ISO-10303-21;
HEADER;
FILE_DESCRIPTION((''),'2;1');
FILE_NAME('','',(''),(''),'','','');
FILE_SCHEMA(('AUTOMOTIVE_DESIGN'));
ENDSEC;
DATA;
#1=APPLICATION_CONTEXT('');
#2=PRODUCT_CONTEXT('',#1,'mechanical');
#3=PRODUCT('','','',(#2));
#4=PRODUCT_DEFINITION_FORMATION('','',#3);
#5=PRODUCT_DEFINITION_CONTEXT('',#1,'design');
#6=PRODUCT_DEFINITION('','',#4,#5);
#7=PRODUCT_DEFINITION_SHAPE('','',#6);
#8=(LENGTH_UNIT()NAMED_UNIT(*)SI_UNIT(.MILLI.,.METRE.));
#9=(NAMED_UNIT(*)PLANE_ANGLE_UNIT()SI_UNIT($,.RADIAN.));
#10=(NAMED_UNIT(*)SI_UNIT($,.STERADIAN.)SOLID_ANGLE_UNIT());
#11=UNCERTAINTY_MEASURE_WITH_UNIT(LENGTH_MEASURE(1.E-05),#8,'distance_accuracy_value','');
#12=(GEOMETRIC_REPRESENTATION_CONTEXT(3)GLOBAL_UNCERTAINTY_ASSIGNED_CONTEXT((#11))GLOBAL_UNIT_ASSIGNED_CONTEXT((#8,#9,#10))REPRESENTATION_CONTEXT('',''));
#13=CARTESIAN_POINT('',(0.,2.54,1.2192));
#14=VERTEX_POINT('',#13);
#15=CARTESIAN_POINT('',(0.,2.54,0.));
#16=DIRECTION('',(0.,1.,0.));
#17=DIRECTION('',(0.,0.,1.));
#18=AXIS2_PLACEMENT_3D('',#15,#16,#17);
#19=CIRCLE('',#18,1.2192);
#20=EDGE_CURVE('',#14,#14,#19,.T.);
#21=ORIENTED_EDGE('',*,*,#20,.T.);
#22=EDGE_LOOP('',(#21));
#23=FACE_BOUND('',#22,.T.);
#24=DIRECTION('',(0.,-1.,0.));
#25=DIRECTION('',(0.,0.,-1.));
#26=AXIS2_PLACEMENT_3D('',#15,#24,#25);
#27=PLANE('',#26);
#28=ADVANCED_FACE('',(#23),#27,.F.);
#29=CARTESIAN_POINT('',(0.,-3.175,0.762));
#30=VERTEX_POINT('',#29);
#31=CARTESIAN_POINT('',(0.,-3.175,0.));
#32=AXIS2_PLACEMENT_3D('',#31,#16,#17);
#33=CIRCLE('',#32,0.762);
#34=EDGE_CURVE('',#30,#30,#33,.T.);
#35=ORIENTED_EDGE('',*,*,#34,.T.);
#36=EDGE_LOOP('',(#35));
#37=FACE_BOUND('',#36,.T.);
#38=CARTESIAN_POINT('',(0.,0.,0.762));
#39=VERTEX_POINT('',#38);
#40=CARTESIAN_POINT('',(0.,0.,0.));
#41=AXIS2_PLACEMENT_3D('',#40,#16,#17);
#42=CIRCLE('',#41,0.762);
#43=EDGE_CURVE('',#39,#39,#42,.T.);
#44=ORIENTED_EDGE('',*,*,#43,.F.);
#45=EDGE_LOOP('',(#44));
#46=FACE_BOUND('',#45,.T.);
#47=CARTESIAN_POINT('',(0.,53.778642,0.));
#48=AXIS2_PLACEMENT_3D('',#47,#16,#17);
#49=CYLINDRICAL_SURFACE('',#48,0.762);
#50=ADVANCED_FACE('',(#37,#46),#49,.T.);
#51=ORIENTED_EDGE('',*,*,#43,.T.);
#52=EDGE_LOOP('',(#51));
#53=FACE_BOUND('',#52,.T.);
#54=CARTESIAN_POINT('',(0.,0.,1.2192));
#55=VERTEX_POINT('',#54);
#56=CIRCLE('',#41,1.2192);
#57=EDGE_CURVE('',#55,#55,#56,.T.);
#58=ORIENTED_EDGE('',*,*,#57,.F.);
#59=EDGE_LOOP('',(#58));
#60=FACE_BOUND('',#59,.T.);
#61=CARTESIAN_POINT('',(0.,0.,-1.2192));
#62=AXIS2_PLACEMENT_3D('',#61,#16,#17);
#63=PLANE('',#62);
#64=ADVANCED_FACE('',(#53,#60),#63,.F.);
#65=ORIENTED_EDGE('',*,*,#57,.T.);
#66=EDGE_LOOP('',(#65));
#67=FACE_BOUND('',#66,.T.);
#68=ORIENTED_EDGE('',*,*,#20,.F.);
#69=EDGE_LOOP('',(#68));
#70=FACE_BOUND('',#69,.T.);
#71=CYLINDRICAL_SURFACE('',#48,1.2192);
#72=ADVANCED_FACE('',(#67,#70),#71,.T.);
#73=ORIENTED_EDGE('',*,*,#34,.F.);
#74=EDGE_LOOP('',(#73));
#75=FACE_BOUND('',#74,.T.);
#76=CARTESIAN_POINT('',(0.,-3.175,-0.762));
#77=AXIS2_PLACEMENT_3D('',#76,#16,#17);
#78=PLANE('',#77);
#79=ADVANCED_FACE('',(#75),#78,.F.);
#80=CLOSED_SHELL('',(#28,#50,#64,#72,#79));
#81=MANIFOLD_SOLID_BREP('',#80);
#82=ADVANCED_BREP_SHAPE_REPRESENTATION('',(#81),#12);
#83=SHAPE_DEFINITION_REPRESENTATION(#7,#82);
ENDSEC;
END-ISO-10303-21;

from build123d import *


with BuildPart() as part:
    # Sketch1 → Revolve1 (revolve)
    with BuildSketch(Plane(origin=(0, 0, 0), x_dir=(0, 0, -1), z_dir=(1, 0, 0)), mode=Mode.PRIVATE) as revolve1_sk:
        Polygon((0.762, 0), (0.762, -3.175), (0, -3.175), (0, 2.54), (1.2192, 2.54), (1.2192, 0), align=None)
    revolve(revolve1_sk.sketch.rotate(Axis((0, 53.778641766, 0), (0, -1, 0)), 180), axis=Axis((0, 53.778641766, 0), (0, -1, 0)))  # turned: the seam where the file's is


solid = part.part
